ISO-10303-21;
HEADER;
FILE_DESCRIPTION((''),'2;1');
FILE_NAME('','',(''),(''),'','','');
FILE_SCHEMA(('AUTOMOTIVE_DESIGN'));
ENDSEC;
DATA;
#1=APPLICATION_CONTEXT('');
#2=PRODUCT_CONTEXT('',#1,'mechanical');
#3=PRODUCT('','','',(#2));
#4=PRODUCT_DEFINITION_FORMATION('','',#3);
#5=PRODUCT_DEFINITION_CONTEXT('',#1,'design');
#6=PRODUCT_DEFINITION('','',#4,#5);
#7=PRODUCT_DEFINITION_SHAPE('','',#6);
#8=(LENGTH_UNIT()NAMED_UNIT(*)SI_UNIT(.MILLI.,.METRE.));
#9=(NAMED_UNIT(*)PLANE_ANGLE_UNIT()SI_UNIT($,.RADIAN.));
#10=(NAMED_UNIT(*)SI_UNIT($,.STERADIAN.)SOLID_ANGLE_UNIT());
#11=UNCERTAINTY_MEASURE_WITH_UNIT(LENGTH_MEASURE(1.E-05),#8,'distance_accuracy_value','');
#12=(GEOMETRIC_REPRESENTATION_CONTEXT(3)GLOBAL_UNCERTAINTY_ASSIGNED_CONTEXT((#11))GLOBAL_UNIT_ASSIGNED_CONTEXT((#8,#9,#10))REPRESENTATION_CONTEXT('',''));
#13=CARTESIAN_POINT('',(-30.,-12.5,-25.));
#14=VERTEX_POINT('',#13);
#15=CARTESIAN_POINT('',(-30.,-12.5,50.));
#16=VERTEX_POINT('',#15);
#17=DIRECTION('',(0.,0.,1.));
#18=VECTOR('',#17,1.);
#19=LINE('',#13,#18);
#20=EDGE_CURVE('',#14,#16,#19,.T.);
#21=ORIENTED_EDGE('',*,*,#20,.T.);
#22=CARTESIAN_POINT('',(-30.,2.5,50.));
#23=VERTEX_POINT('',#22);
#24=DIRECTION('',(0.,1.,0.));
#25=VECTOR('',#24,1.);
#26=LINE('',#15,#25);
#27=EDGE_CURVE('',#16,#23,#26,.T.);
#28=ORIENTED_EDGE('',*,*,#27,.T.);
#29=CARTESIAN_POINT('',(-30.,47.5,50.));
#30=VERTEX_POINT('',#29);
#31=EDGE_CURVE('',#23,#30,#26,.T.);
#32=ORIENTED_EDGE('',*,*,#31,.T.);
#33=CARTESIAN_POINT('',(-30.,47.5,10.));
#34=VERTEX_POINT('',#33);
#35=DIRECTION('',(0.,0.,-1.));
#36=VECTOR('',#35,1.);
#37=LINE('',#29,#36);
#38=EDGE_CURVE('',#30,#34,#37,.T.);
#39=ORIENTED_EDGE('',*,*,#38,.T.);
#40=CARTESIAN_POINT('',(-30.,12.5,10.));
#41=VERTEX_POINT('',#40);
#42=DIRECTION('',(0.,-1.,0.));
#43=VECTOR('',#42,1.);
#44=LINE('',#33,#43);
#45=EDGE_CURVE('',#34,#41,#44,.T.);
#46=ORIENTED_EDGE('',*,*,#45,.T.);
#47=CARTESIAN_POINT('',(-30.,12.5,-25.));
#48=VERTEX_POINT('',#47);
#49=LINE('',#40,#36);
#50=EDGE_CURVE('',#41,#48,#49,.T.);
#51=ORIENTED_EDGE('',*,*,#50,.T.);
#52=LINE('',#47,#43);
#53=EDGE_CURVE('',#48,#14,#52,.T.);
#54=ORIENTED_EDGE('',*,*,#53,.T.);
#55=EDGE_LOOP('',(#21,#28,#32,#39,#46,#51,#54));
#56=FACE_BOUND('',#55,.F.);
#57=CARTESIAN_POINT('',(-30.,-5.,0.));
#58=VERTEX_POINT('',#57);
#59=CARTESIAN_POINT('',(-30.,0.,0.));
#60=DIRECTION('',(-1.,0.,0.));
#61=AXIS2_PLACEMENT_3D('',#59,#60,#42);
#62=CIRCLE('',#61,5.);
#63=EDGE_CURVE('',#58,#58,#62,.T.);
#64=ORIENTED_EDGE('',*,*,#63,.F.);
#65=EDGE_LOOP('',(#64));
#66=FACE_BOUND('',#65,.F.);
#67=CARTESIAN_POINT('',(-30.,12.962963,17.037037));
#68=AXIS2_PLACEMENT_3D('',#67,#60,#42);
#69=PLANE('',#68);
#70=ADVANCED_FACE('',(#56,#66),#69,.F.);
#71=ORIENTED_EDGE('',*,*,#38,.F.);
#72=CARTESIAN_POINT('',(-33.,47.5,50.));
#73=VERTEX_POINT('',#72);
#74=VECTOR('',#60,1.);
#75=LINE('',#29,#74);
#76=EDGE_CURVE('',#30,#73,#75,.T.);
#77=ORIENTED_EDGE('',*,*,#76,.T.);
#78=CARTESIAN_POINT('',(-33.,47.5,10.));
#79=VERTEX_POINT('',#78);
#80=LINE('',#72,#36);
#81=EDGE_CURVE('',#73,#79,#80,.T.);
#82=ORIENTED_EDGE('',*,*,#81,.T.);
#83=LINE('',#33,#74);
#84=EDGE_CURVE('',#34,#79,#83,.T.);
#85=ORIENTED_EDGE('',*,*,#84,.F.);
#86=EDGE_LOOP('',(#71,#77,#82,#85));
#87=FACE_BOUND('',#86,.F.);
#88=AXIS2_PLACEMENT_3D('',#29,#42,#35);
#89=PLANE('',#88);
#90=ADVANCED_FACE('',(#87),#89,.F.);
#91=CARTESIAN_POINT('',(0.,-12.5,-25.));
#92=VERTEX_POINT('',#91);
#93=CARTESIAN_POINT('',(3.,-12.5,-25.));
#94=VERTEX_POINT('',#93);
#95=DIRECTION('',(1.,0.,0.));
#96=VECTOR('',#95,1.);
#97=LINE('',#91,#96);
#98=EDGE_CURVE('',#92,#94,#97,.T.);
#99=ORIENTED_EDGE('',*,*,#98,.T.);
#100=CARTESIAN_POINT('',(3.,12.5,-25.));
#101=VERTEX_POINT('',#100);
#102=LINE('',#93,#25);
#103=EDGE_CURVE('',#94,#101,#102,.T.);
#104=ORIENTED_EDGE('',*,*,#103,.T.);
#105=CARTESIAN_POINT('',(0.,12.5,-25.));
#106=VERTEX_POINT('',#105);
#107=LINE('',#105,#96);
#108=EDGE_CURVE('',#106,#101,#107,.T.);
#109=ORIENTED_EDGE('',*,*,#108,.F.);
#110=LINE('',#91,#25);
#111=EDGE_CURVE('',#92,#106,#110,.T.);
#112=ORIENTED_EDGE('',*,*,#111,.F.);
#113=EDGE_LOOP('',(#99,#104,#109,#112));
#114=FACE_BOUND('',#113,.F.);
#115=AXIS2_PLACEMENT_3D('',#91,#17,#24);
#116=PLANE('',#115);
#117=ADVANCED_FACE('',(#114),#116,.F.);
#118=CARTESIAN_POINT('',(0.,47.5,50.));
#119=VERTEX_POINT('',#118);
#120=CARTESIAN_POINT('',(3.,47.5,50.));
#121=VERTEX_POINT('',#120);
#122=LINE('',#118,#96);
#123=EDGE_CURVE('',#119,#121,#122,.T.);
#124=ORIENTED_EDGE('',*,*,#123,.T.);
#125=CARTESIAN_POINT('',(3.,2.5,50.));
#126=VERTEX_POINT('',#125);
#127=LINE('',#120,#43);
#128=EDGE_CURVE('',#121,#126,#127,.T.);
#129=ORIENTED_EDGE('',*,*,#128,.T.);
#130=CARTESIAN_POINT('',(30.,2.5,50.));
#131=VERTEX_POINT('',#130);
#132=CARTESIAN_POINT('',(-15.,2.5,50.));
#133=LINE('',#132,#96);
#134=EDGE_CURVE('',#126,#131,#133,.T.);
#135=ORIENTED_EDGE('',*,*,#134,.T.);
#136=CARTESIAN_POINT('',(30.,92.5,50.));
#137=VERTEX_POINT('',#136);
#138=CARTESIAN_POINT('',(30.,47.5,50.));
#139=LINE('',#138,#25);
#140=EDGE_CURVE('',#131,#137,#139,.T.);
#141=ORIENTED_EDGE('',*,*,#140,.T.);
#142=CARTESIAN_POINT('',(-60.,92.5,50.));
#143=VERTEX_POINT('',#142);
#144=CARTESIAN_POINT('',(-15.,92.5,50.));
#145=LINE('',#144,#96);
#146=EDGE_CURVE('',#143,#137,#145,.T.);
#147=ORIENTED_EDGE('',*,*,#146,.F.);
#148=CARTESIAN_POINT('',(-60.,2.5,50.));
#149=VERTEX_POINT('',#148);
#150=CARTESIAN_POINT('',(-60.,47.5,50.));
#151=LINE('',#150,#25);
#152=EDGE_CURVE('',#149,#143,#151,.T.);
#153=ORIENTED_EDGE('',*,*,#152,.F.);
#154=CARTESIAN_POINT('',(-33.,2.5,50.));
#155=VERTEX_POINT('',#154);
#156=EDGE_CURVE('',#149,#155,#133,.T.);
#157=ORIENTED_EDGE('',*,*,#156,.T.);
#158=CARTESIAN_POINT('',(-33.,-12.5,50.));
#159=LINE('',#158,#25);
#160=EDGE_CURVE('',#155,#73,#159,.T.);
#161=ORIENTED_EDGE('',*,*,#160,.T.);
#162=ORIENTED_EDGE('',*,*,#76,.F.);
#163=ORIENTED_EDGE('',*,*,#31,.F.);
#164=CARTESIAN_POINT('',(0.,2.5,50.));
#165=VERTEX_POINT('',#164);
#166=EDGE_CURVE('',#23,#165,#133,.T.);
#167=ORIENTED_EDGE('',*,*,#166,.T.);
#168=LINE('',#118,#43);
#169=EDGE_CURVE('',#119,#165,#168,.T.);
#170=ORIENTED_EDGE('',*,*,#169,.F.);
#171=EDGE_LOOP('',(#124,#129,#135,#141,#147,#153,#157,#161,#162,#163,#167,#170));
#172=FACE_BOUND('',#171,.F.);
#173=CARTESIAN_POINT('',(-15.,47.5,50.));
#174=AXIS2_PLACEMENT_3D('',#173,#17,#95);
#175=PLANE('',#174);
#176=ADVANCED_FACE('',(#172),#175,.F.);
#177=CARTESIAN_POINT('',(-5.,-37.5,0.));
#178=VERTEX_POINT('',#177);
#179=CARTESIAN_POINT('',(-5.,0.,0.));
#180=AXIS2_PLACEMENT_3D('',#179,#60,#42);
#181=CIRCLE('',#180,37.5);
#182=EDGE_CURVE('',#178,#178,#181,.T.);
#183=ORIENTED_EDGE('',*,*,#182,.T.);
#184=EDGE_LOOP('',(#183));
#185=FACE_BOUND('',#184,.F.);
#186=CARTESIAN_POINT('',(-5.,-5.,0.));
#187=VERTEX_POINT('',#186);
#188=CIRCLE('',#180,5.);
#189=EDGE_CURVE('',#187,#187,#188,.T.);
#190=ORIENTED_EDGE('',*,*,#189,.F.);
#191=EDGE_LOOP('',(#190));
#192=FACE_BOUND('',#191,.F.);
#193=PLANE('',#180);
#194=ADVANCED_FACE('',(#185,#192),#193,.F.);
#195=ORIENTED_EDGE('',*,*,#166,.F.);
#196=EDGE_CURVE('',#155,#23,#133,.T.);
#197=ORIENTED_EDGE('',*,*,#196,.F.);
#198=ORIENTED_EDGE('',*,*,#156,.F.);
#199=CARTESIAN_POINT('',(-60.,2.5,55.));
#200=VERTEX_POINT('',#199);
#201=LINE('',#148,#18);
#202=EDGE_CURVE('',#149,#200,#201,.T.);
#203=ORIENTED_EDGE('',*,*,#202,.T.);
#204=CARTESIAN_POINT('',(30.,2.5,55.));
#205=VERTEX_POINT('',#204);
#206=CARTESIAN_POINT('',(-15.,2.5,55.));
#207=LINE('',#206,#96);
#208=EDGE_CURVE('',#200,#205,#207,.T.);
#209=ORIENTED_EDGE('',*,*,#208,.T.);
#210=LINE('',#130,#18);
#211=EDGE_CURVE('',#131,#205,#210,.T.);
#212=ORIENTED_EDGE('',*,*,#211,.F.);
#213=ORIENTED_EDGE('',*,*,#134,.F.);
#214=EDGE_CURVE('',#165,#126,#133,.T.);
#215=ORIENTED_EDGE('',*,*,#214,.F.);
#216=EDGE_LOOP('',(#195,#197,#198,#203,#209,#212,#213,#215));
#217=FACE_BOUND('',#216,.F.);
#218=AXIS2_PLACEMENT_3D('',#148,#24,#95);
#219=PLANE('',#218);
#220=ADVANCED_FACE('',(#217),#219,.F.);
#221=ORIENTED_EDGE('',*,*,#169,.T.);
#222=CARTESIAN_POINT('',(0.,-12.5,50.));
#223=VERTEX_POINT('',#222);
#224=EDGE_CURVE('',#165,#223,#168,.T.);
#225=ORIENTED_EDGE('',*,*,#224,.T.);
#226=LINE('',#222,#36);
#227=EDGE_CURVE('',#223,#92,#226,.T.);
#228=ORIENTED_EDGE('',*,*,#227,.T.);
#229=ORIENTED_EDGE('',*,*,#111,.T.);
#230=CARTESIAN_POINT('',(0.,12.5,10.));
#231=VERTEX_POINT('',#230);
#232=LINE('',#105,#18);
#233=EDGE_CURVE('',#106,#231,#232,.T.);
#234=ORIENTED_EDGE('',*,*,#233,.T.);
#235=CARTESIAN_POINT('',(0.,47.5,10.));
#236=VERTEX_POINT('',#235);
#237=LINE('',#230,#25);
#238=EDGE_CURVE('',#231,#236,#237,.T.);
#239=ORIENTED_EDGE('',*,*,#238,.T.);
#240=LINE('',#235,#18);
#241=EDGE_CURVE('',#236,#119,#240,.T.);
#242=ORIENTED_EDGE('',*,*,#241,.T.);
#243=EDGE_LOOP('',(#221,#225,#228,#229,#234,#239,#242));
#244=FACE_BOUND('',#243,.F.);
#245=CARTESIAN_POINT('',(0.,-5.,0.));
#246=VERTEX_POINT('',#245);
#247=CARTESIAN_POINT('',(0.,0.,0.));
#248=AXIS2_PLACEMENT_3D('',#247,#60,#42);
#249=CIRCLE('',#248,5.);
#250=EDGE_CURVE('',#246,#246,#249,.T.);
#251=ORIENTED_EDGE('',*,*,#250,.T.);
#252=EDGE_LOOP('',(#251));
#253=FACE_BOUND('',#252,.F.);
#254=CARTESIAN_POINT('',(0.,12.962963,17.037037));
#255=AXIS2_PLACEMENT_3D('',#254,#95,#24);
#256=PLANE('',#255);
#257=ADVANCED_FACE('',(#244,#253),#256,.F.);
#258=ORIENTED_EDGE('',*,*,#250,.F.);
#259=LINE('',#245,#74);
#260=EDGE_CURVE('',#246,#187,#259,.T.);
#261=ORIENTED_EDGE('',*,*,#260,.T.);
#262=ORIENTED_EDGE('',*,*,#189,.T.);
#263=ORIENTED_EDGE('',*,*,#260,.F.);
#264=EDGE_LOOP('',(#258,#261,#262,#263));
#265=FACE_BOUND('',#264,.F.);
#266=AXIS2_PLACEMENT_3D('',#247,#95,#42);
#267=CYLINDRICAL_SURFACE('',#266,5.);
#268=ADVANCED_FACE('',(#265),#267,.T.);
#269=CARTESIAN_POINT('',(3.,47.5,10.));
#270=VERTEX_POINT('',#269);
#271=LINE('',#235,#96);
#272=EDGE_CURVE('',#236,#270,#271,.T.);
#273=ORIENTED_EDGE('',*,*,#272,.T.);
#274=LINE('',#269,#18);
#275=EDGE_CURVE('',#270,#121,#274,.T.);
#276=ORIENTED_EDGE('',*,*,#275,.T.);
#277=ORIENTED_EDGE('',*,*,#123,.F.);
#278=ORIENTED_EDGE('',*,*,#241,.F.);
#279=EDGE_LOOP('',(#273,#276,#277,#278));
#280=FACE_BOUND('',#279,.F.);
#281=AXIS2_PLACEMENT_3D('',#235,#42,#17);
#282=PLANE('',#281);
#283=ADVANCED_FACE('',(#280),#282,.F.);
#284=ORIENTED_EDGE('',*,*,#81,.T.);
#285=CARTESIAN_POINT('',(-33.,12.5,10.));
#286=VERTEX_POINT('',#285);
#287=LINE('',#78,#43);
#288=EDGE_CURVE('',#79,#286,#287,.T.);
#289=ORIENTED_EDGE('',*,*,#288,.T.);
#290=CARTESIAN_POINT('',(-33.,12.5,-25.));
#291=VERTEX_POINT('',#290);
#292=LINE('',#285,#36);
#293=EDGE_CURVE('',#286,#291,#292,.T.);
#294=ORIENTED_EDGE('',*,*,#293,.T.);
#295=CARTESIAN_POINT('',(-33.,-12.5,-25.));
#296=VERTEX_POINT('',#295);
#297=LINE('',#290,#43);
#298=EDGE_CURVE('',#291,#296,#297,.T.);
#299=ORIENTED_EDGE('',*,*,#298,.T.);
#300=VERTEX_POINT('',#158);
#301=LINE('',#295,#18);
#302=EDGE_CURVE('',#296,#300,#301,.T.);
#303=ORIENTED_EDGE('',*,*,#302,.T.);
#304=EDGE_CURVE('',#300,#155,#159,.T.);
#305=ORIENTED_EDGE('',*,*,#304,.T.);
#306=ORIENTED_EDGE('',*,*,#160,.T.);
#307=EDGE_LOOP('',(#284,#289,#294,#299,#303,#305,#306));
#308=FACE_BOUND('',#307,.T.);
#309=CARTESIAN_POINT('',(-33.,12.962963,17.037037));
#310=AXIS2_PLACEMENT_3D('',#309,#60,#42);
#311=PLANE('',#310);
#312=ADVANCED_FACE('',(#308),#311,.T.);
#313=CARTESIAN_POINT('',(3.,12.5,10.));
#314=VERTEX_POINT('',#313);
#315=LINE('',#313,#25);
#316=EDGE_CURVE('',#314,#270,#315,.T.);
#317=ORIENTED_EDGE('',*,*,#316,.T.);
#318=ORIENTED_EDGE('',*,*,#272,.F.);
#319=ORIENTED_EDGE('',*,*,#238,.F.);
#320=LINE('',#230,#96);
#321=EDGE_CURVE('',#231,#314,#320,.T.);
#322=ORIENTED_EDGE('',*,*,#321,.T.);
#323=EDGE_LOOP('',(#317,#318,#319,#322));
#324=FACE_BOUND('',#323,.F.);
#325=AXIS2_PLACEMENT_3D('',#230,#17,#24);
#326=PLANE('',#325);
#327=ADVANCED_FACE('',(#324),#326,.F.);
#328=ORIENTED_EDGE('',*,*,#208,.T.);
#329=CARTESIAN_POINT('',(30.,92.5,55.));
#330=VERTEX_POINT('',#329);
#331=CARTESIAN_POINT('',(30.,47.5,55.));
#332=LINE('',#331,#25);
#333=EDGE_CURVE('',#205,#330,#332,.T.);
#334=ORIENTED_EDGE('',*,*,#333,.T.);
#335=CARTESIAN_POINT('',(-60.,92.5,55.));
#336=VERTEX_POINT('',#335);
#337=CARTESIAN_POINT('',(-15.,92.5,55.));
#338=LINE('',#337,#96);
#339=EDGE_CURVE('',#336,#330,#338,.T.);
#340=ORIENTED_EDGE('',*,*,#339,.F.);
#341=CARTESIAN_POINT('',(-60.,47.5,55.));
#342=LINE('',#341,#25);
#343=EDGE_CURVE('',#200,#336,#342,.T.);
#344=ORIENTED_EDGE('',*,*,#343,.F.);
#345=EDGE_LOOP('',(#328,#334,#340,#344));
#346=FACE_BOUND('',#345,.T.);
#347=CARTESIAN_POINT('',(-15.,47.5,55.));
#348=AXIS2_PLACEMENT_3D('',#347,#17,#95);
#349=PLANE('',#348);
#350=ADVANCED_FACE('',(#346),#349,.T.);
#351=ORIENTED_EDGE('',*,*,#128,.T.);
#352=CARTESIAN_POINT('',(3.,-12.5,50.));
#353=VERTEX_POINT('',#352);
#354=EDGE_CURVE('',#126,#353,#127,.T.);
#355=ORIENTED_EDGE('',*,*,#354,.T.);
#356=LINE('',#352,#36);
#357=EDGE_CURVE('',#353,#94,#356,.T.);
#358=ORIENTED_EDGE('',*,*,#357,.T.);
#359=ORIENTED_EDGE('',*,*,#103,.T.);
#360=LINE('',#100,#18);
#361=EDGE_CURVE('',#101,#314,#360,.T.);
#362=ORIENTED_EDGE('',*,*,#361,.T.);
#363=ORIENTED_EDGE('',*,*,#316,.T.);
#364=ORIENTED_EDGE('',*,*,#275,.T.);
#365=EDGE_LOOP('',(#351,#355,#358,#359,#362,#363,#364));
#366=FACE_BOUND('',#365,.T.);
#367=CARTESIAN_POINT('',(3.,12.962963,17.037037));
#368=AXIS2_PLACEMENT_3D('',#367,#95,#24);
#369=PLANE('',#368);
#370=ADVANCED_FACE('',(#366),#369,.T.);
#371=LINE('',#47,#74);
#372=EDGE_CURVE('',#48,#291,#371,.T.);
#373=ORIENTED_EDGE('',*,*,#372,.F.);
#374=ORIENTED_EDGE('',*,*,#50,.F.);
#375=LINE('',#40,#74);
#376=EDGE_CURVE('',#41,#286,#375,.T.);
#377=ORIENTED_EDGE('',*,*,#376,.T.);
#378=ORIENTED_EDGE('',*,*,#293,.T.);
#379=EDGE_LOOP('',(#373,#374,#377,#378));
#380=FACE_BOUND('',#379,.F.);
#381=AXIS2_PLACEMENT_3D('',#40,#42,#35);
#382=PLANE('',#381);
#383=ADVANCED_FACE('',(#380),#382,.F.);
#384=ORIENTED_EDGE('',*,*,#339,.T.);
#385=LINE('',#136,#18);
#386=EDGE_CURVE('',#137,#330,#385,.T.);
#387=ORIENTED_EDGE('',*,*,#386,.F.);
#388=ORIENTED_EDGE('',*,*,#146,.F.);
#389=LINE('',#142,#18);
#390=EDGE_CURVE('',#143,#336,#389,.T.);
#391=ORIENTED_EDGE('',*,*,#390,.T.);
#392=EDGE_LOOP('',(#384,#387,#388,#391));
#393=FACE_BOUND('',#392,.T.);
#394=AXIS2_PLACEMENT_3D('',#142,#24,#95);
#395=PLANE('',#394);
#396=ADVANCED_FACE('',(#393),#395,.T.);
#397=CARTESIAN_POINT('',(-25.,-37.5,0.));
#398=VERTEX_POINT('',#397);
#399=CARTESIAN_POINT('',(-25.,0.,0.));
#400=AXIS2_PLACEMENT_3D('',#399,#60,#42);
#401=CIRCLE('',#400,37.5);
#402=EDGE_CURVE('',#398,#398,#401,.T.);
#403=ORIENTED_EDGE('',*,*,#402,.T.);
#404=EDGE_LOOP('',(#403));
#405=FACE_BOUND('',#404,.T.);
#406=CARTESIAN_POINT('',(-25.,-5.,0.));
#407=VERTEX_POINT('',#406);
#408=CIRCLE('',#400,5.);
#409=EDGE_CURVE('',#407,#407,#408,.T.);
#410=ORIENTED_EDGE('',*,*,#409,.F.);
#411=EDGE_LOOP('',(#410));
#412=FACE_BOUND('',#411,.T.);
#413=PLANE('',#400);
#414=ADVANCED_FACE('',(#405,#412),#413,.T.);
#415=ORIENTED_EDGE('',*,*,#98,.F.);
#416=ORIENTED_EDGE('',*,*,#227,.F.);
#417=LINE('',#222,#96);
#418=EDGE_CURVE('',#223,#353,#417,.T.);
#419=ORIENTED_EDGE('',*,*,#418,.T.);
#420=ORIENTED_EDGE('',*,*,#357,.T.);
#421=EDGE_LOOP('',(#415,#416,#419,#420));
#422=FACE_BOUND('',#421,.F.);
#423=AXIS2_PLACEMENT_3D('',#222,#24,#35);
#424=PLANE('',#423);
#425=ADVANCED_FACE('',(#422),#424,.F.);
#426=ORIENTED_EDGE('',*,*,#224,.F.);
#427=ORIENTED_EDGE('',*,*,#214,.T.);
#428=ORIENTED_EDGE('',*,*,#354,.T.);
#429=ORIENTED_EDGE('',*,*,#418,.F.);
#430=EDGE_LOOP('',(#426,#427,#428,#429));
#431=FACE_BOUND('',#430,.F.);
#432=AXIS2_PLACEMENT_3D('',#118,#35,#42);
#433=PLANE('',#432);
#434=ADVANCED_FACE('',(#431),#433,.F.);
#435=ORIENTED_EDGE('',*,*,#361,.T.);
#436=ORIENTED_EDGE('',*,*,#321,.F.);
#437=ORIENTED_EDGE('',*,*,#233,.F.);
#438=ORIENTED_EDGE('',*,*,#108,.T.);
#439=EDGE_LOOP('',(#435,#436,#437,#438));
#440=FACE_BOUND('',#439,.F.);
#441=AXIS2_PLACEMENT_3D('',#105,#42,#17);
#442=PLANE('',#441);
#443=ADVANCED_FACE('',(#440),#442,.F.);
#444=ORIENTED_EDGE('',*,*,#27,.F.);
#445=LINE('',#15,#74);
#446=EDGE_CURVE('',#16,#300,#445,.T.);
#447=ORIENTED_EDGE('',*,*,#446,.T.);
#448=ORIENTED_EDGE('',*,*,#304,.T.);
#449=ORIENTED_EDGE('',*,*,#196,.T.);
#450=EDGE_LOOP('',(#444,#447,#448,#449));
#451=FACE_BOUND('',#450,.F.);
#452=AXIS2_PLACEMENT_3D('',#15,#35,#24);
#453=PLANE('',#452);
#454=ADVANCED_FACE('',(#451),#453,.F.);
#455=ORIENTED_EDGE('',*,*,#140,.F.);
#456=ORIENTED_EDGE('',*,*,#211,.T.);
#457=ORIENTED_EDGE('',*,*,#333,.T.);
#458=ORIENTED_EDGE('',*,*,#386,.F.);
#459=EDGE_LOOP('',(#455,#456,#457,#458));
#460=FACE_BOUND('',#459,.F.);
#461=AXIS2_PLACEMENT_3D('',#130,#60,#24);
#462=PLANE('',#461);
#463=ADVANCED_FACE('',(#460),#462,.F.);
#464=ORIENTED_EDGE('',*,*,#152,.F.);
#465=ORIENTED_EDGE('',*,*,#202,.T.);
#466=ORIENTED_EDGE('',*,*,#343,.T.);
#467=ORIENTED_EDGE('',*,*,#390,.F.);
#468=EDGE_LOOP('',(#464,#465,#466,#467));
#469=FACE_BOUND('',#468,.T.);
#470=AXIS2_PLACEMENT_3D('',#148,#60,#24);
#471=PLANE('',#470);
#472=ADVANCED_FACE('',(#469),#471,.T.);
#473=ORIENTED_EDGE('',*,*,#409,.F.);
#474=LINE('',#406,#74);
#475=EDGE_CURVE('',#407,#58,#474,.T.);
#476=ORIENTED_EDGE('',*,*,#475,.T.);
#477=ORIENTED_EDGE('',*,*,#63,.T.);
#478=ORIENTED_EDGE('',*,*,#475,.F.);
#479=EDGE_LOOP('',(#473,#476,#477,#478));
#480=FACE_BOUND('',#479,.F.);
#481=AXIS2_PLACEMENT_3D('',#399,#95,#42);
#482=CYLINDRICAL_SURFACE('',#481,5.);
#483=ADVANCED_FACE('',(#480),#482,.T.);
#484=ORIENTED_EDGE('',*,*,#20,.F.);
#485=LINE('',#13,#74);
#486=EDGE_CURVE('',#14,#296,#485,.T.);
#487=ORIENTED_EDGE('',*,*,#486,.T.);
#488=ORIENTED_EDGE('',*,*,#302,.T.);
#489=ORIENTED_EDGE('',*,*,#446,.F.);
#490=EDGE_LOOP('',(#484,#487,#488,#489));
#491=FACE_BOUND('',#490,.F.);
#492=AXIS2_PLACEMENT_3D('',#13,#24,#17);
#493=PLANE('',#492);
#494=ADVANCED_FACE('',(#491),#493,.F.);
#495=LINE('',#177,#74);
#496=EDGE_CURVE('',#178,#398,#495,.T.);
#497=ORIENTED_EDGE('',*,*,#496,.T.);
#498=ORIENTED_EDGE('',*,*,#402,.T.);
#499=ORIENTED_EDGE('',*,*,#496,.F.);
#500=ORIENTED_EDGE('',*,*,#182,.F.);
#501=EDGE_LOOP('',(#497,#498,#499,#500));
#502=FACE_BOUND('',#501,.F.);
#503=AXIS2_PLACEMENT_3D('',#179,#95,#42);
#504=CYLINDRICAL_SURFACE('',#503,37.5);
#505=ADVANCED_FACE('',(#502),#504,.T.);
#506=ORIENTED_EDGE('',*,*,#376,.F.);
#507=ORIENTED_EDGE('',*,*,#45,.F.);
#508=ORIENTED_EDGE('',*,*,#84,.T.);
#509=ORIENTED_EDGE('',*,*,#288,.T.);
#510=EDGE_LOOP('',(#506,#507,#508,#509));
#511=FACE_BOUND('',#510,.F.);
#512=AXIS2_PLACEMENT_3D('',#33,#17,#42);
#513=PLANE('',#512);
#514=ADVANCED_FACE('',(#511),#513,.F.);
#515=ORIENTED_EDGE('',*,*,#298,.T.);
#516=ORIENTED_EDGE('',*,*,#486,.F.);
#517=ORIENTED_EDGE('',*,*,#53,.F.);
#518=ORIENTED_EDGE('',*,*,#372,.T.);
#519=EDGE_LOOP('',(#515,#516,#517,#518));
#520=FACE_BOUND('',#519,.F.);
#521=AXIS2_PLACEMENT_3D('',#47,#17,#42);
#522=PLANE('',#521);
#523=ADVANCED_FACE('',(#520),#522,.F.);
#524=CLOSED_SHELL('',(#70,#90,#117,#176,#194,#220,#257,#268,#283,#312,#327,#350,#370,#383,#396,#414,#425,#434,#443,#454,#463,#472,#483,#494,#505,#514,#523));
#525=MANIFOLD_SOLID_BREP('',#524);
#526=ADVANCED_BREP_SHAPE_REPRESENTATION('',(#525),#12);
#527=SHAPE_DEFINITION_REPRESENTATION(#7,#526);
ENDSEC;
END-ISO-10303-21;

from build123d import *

# Parameters (mm, degrees)
F1_DEPTH  = 3
F2_R      = 5
F3_DEPTH  = 5
F4_R      = 37.5
F5_DEPTH  = 20
F6_R      = 5
F7_DEPTH  = 5
F9_DEPTH  = 3
F10_W     = 90
F10_H     = 90
F11_DEPTH = 5


with BuildPart() as f1:
    # F0 (on Right) → F1 (new body)
    with BuildSketch(Plane.YZ):
        Polygon((-12.5, 50), (-12.5, -25), (12.5, -25), (12.5, 10), (47.5, 10), (47.5, 50), align=None)
    extrude(amount=F1_DEPTH)

    # F2 (on face) → F3 (join)
    with BuildSketch(Plane(origin=(0, 0, 0), x_dir=(0, -1, 0), z_dir=(-1, 0, 0))):
        Circle(F2_R)
    extrude(amount=F3_DEPTH)

    # F4 (on face) → F5 (join)
    with BuildSketch(Plane(origin=(-5, 0, 0), x_dir=(0, -1, 0), z_dir=(-1, 0, 0))):
        Circle(F4_R)
    extrude(amount=F5_DEPTH)

    # F6 (on face) → F7 (join)
    with BuildSketch(Plane(origin=(-25, 0, 0), x_dir=(0, -1, 0), z_dir=(-1, 0, 0))):
        Circle(F6_R)
    extrude(amount=F7_DEPTH)

    # F8 (on face) → F9 (join)
    with BuildSketch(Plane(origin=(-30, 0, 0), x_dir=(0, -1, 0), z_dir=(-1, 0, 0))):
        Polygon((12.5, 50), (-47.5, 50), (-47.5, 10), (-12.5, 10), (-12.5, -25), (12.5, -25), align=None)
    extrude(amount=F9_DEPTH)

    # F10 (on face) → F11 (join)
    with BuildSketch(Plane.XY.offset(50)):
        with Locations((-15, 47.5)):
            Rectangle(F10_W, F10_H)
    extrude(amount=F11_DEPTH)


solid = f1.part
